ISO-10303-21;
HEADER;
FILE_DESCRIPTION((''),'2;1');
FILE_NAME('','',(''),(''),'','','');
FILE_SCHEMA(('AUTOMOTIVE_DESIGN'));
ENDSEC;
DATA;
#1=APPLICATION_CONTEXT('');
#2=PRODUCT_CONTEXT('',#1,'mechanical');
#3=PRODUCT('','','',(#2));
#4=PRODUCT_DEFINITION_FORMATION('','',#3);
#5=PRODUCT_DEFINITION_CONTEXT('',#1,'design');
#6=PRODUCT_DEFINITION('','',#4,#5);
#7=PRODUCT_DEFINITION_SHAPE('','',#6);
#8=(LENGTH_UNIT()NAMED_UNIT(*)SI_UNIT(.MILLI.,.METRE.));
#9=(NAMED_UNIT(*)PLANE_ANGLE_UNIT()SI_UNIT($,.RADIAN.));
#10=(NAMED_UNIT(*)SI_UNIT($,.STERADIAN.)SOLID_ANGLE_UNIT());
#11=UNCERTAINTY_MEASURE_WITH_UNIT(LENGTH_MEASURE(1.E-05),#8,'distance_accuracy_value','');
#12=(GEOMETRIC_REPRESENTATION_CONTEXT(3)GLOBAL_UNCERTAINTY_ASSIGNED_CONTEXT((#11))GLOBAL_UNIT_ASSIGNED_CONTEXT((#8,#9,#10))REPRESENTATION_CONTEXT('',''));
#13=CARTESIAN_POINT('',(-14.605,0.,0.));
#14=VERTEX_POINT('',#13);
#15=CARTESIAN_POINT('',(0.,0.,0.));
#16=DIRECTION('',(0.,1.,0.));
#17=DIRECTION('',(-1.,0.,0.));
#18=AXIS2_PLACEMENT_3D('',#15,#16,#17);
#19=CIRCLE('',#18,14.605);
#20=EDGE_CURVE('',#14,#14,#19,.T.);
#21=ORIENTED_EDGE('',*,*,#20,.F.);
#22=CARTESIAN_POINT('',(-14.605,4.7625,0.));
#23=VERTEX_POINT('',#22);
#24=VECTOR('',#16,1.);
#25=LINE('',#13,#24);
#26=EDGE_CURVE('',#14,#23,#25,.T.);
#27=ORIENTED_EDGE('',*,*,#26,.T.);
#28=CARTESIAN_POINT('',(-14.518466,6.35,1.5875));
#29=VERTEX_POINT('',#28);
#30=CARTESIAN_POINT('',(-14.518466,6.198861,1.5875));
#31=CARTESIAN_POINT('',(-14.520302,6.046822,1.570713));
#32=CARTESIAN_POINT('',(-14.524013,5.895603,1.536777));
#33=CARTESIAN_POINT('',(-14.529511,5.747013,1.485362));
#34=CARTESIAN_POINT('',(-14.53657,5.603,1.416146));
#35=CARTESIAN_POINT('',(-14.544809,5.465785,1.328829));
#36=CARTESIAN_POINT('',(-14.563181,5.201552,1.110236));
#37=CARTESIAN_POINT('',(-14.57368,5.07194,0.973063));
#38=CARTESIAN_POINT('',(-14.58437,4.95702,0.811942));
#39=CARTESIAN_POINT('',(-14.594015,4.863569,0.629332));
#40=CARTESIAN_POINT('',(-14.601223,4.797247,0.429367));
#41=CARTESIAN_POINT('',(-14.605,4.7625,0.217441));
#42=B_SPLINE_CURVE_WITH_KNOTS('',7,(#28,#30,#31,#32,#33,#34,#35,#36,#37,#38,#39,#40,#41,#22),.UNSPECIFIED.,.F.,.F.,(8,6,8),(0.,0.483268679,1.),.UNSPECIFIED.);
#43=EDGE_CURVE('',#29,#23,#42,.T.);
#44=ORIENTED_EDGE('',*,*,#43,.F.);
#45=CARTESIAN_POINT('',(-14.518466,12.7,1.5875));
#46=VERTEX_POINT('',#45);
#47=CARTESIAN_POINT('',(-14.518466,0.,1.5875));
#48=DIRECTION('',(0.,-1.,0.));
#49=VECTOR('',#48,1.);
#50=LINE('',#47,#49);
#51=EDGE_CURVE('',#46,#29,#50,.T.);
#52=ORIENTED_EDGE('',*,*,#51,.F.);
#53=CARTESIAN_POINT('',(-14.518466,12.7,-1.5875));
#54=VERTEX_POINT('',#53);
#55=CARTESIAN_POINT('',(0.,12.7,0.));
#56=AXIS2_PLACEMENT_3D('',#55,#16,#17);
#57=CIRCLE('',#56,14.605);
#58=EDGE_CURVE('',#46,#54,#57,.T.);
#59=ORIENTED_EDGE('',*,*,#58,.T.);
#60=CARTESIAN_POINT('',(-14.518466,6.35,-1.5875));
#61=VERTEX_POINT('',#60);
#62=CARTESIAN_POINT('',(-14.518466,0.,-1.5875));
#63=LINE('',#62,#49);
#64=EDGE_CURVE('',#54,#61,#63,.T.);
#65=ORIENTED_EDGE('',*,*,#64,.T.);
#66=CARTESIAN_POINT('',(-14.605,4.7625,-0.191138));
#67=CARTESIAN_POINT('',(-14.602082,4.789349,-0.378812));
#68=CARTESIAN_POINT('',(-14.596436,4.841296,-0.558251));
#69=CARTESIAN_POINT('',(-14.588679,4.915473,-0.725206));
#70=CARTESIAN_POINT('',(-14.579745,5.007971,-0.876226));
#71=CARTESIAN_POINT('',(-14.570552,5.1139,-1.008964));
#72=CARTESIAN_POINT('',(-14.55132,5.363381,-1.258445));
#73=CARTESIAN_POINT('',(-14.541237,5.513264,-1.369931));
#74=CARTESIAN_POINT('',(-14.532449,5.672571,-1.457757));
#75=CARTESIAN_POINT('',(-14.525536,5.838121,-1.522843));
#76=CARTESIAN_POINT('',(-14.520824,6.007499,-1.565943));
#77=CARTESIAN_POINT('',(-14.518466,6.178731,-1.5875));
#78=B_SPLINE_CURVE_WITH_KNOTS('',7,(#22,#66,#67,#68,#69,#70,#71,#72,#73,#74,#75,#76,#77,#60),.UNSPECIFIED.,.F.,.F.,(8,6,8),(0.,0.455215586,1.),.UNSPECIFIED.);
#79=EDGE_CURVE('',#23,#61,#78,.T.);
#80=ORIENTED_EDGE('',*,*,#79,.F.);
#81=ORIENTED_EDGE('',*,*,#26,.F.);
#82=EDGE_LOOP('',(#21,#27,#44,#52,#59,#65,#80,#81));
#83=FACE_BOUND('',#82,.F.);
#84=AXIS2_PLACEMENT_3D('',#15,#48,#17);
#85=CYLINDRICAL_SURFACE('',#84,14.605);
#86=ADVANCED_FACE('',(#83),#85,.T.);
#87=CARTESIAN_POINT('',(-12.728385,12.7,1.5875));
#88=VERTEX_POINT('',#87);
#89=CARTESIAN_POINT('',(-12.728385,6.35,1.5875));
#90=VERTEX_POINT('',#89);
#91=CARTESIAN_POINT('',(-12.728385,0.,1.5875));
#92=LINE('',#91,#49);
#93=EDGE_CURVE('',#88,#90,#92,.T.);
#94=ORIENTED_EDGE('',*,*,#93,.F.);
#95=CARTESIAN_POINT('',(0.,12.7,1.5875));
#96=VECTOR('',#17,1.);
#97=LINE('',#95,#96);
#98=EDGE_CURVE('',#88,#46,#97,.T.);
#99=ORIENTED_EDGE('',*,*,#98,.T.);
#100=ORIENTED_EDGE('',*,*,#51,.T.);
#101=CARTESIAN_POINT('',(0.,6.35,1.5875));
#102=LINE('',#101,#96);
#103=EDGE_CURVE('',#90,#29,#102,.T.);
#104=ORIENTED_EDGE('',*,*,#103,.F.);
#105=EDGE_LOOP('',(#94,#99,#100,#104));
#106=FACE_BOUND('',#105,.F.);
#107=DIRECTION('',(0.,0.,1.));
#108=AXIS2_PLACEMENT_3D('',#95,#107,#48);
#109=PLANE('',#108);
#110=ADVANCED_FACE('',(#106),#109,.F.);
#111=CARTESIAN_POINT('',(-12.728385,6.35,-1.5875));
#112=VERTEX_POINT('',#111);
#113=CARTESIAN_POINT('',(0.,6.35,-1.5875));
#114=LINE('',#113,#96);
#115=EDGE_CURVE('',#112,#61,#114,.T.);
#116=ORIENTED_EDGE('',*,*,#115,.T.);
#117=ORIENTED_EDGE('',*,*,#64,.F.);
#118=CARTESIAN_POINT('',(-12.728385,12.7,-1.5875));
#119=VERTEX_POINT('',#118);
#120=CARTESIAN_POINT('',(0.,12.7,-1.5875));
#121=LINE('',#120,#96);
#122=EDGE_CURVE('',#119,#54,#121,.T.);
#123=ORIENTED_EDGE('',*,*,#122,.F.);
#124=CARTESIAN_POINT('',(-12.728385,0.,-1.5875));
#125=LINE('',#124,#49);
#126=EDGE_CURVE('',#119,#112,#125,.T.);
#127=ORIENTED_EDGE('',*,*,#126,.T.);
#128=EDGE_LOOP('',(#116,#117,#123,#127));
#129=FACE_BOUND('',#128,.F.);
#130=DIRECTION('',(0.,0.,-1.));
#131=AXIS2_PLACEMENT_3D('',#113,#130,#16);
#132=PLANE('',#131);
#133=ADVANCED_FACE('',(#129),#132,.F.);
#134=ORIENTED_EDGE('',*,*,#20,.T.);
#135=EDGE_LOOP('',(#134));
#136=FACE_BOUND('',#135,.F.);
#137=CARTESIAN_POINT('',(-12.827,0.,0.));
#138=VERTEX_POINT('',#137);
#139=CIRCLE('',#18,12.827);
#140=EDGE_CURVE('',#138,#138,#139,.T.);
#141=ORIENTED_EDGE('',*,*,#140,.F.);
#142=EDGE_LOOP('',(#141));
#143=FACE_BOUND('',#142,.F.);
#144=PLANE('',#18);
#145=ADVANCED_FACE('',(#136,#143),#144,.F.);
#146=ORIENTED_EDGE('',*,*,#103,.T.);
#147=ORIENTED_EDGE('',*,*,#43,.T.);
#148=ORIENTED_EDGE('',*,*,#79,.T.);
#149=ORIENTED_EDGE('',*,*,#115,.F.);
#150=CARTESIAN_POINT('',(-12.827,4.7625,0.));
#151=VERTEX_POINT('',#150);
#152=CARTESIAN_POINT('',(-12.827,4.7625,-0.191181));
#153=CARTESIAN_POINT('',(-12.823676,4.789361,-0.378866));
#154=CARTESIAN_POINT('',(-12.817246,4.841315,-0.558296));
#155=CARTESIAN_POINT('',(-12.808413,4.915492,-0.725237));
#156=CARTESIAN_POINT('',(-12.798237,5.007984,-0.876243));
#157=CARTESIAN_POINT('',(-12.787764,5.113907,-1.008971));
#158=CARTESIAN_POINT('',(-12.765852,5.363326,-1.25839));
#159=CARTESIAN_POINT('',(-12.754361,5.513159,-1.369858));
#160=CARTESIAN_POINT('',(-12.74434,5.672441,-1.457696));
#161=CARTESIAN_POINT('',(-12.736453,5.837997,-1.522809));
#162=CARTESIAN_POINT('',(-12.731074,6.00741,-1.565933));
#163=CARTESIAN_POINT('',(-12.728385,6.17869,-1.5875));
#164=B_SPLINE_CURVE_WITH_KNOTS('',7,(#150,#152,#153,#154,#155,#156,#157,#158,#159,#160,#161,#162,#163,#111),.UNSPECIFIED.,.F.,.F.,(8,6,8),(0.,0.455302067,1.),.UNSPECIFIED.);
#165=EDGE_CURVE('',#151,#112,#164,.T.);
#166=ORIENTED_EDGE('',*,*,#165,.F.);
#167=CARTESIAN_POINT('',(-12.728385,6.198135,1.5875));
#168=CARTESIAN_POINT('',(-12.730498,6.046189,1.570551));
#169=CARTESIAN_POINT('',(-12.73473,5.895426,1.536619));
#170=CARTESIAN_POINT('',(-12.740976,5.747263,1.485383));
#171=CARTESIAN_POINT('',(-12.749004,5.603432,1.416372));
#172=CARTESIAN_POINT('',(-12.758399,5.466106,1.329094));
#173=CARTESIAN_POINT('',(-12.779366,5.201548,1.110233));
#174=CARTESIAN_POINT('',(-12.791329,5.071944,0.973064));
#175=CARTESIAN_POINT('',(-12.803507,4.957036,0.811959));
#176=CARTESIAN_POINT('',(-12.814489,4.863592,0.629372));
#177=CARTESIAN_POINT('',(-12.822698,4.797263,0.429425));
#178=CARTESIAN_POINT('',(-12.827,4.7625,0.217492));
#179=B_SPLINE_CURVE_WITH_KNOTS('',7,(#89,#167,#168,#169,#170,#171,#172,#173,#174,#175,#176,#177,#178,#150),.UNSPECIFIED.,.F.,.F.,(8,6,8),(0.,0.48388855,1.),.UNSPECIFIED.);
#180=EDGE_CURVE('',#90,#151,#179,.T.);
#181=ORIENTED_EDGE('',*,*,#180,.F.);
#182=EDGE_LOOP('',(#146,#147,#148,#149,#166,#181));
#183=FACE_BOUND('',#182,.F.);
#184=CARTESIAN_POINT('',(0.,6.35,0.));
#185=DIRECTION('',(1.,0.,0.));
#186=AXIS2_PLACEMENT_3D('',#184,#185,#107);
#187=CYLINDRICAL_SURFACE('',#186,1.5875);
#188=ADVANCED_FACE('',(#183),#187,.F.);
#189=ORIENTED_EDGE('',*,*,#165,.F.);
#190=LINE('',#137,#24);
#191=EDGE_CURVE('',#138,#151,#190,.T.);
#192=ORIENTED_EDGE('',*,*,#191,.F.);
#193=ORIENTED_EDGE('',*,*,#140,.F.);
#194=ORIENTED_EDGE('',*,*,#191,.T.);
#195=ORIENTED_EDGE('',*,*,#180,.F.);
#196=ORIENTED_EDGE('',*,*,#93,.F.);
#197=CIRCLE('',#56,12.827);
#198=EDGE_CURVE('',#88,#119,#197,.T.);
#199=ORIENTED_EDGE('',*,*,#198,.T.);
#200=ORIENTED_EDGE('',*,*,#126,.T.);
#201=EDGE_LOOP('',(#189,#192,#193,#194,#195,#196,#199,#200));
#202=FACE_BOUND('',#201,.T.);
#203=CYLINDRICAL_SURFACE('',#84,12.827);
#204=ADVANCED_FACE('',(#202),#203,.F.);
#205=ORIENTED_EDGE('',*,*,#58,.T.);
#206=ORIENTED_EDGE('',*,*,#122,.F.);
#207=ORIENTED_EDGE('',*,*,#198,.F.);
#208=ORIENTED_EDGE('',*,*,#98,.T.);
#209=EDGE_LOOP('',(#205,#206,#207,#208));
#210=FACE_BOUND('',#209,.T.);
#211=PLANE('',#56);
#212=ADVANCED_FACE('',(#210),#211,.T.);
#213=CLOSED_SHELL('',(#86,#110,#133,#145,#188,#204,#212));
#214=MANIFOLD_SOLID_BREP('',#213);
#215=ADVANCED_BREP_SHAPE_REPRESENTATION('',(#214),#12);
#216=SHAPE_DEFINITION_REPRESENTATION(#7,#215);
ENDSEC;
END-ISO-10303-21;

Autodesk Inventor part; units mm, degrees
ref_plane "YZ Plane" through (0, 0, 0) normal (1, 0, 0) x (0, 1, 0)
ref_plane "XZ Plane" through (0, 0, 0) normal (0, 1, 0) x (-1, 0, 0)
ref_plane "XY Plane" through (0, 0, 0) normal (0, 0, 1) x (1, 0, 0)
sketch "Sketch1" plane through (0, 0, 0) normal (0, 1, 0) x (-1, 0, 0)
  circle A0 centre (0, 0) radius 12.827
  circle A1 centre (0, 0) radius 14.605
  dimension "d0" = 29.21
  dimension "d1" = 25.654
extrude "Extrusion1" add sketch "Sketch1" along normal blind 12.7
sketch "Sketch2" plane through (0, 12.7, 0) normal (0, 1, 0) x (1, 0, 0)
  point P0 (0, 0)
sketch "Sketch3" plane through (0, 0, 0) normal (1, 0, 0) x (0, 1, 0)
  line L0 (12.7, 12.827) -> (12.7, -12.827) projected
  line L1 (12.7, 1.5875) -> (6.35, 1.5875)
  line L2 (6.35, -1.5875) -> (12.7, -1.5875)
  line L3 (12.7, 1.5875) -> (12.7, -1.5875)
  arc A0 (6.35, 1.5875) -> (6.35, -1.5875) centre (6.35, 0) ccw
  point P0 (0, 0)
  point P1 (9.525, -1.5875)
  point P2 (12.7, 0)
  dimension "d4" = 3.175
  dimension "d5" = 6.35
extrude "Extrusion2" cut sketch "Sketch3" against normal blind 19.05
properties part number "mediuminsert1"
